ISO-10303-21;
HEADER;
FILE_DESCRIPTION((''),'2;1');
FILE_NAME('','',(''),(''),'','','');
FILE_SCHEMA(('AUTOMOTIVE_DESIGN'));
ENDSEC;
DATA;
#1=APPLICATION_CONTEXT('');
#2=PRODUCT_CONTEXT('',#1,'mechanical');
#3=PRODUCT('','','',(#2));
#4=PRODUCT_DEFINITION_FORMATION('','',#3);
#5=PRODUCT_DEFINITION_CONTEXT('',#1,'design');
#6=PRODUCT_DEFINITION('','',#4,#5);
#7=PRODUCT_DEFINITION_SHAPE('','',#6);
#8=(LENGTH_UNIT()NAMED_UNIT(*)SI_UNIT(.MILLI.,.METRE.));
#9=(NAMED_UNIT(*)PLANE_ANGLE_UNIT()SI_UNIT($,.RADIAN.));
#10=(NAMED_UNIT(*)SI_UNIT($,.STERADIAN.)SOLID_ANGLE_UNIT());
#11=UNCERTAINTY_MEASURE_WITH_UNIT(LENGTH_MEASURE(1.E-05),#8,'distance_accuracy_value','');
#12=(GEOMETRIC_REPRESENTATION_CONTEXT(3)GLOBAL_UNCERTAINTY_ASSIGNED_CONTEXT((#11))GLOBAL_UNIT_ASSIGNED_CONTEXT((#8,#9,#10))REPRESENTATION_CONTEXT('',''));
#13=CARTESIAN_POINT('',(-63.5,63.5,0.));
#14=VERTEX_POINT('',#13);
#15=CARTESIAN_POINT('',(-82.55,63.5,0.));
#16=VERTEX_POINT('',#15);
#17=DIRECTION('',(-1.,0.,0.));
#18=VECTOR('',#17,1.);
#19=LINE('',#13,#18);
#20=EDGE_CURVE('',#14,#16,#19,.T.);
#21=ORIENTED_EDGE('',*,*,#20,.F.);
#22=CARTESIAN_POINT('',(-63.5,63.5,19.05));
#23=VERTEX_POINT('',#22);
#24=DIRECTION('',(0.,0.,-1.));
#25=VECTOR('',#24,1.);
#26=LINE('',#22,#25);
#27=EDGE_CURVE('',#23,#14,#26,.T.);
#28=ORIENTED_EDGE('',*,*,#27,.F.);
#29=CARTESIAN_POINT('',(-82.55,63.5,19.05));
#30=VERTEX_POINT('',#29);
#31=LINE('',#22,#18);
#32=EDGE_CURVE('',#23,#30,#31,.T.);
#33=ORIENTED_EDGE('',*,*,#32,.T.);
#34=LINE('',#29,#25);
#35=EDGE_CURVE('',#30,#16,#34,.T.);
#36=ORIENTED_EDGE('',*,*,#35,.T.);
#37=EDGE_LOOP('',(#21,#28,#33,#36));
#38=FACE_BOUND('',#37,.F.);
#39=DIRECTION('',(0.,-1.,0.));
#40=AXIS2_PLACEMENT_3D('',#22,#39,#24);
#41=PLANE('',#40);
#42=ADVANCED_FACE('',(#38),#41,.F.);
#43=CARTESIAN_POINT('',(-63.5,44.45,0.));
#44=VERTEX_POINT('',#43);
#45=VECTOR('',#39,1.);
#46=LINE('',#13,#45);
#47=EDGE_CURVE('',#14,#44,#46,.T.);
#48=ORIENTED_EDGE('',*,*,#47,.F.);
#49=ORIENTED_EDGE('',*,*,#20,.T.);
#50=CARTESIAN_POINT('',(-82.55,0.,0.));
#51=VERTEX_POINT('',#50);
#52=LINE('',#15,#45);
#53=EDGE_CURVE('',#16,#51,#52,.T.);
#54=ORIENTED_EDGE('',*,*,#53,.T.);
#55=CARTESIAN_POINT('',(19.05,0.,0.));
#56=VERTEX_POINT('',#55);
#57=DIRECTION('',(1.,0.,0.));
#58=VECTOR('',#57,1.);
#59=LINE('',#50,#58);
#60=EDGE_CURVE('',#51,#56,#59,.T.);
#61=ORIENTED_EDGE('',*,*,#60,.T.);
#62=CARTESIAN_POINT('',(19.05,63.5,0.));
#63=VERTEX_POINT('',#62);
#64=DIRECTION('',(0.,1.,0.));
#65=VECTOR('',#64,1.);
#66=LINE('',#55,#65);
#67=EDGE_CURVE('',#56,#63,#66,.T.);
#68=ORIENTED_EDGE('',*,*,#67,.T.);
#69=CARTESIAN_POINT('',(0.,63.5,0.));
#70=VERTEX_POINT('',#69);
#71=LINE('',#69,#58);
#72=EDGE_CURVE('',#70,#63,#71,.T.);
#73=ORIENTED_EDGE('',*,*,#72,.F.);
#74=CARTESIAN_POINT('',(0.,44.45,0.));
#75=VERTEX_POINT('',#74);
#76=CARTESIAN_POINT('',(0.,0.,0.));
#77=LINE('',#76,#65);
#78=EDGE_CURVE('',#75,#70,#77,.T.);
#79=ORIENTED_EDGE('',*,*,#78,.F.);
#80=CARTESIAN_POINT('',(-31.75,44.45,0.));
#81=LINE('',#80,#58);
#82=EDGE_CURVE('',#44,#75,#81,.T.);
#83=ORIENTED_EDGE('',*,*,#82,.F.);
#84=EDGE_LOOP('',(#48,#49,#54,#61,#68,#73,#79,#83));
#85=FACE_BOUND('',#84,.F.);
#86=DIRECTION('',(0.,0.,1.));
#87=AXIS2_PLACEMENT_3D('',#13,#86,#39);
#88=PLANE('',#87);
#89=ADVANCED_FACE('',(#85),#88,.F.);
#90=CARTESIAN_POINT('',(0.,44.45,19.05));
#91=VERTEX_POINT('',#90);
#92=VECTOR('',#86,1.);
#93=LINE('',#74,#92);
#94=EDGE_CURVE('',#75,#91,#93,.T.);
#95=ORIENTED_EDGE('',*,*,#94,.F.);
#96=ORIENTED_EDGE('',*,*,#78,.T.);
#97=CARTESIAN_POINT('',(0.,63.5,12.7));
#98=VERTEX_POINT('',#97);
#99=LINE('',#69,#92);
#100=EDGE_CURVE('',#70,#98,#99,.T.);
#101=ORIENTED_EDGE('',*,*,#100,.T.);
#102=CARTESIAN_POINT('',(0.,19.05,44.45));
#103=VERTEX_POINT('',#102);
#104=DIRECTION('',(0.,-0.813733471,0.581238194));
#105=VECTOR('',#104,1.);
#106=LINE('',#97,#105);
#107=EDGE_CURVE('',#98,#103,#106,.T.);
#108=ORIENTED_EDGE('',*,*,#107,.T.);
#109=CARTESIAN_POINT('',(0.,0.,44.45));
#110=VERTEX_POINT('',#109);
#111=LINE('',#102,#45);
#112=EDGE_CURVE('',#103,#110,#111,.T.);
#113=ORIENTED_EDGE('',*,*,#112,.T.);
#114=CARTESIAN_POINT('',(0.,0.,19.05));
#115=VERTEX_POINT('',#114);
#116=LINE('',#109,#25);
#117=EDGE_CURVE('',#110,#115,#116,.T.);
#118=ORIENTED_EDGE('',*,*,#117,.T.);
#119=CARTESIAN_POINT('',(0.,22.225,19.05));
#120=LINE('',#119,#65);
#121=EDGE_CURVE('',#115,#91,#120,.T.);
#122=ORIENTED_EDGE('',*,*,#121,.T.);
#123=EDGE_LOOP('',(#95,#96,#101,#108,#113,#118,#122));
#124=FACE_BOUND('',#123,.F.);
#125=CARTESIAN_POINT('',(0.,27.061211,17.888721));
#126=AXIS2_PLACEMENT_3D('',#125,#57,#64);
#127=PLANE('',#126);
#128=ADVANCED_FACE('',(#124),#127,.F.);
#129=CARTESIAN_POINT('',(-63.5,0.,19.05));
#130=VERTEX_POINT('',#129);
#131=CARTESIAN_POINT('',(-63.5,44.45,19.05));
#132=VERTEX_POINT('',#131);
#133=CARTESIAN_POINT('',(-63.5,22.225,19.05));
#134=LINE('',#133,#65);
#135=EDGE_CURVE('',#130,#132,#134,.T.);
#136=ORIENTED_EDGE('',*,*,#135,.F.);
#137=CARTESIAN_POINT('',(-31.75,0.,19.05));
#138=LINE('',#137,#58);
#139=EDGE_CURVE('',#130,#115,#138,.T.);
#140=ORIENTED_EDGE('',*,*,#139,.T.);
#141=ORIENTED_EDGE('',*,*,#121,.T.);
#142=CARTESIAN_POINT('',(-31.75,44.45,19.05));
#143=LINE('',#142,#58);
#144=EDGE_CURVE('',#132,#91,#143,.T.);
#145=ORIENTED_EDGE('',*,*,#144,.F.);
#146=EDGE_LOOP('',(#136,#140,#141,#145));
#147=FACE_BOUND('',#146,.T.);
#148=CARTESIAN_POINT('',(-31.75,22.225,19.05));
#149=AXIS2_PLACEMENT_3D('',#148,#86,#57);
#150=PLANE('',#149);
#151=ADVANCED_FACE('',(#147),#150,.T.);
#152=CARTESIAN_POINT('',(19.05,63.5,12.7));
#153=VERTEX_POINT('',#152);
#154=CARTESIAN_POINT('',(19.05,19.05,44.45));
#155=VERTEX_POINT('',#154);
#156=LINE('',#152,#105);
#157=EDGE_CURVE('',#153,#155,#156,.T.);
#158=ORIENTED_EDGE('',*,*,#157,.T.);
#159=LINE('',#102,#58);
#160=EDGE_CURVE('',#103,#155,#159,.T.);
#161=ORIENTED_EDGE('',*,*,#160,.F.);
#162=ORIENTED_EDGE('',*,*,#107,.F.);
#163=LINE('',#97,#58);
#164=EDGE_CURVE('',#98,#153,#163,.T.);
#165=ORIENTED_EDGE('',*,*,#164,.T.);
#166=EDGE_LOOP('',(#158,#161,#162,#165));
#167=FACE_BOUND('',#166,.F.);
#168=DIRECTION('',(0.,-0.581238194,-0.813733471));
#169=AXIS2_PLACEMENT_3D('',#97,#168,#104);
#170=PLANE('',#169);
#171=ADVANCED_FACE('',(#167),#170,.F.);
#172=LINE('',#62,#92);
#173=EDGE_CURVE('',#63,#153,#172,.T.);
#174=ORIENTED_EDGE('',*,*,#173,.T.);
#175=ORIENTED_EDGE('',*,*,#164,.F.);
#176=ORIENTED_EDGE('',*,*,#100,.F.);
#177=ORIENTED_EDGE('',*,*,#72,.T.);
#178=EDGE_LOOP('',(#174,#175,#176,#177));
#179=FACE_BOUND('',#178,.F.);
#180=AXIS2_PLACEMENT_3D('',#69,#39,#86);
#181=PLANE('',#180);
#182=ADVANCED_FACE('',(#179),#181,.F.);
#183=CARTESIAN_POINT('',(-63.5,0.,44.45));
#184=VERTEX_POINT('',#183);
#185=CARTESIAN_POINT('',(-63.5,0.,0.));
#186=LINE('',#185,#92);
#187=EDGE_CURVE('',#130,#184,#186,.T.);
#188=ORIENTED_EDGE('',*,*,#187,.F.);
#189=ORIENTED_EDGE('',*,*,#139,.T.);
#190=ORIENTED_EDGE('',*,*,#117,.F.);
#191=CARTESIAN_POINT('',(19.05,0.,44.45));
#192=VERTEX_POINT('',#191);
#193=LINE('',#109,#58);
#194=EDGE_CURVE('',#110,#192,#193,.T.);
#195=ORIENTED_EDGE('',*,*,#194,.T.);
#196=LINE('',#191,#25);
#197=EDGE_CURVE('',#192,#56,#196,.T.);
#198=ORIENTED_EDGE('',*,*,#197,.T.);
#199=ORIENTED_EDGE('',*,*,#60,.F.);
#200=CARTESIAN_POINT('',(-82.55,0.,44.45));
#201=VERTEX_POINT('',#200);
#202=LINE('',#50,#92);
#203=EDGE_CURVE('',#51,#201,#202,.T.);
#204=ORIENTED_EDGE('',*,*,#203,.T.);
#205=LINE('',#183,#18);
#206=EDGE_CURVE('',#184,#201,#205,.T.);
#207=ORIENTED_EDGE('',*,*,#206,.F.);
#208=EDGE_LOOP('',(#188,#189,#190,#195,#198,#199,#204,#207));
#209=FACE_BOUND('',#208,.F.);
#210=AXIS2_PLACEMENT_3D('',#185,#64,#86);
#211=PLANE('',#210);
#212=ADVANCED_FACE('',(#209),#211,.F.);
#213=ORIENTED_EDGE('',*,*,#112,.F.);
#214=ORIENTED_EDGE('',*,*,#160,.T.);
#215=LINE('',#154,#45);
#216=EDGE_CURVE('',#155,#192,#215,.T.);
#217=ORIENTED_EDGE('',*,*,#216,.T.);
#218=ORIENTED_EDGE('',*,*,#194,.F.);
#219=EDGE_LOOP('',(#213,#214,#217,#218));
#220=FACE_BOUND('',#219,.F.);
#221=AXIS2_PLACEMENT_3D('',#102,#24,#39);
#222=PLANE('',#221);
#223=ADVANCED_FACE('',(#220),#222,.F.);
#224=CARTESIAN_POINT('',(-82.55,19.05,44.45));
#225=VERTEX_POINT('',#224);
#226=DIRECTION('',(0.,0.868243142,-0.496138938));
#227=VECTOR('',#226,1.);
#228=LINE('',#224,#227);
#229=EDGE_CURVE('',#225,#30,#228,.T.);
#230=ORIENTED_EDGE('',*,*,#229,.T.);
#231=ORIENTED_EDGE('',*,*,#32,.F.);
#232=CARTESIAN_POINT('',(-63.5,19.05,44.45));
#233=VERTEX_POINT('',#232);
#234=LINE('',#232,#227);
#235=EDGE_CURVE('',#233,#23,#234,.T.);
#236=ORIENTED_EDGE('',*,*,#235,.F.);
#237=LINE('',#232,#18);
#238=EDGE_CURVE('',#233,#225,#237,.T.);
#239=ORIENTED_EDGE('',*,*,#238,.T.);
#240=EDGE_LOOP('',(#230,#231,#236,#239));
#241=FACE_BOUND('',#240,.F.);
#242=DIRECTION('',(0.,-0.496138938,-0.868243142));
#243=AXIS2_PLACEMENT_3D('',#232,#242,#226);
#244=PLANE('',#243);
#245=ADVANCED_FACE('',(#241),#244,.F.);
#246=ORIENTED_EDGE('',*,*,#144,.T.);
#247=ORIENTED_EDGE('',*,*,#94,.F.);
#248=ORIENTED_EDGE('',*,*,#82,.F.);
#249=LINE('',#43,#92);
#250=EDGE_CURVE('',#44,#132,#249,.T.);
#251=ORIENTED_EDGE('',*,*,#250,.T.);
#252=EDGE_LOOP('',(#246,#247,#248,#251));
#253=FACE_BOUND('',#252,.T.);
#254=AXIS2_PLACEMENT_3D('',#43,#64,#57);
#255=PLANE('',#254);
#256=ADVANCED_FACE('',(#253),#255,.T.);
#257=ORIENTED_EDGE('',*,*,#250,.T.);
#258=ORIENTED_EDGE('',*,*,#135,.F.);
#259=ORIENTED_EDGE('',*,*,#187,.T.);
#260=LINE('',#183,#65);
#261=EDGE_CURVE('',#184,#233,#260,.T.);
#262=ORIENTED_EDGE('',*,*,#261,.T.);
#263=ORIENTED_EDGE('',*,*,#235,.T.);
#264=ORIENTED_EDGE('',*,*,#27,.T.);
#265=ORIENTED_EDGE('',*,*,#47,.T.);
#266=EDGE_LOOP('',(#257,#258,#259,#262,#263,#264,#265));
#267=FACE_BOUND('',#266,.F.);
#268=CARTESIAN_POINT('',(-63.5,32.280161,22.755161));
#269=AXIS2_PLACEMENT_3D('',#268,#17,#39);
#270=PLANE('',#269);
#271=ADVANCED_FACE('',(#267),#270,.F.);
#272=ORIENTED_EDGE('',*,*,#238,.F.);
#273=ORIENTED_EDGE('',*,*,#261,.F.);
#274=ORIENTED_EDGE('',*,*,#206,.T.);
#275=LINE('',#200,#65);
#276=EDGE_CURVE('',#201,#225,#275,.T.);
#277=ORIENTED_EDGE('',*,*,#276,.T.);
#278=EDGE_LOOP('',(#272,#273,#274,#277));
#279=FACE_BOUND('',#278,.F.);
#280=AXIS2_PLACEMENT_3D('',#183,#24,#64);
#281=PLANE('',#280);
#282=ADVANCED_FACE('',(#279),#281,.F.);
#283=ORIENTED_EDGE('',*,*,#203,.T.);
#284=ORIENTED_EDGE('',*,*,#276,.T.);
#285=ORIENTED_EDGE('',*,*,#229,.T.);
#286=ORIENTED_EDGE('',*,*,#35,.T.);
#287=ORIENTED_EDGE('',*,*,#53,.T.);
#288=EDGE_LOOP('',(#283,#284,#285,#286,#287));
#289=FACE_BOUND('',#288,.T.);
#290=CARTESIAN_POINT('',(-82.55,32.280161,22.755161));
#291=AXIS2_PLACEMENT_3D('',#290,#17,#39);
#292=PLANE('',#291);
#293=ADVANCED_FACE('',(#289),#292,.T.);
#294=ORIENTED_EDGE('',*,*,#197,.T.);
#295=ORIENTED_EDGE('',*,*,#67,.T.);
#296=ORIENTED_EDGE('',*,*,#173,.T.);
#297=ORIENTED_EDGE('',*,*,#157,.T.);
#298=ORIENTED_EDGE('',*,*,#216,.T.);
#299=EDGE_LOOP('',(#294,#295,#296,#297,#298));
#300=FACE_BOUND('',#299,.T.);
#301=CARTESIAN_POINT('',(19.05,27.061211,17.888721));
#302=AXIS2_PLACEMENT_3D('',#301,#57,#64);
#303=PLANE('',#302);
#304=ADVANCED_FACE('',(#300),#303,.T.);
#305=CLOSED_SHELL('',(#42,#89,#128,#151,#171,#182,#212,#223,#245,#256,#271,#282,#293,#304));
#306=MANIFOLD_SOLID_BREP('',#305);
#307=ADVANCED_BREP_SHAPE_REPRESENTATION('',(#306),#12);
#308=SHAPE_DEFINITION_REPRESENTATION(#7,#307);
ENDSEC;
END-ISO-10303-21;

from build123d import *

# Parameters (mm, degrees)
F0_W     = 63.5
F0_H     = 44.45
F1_DEPTH = 19.05
F3_DEPTH = 19.05
F4_W     = 44.45
F4_H     = 19.05
F5_DEPTH = 19.05


with BuildPart() as f1:
    # F0 (on Top) → F1 (new body)
    with BuildSketch(Plane.XY):
        with Locations((-31.75, 22.225)):
            Rectangle(F0_W, F0_H)
    extrude(amount=F1_DEPTH)

    # F2 (on Right) → F3 (join)
    with BuildSketch(Plane.YZ):
        Polygon((0, 44.45), (0, 0), (63.5, 0), (63.5, 12.7), (19.05, 44.45), align=None)
    extrude(amount=F3_DEPTH)

    # F4 (on face) → F5 (join)
    with BuildSketch(Plane(origin=(-63.5, 0, 0), x_dir=(0, -1, 0), z_dir=(-1, 0, 0))):
        Polygon((-44.45, 19.05), (0, 19.05), (0, 44.45), (-19.05, 44.45), (-63.5, 19.05), (-63.5, 0), (-44.45, 0), align=None)
        with Locations((-22.225, 9.525)):
            Rectangle(F4_W, F4_H)
    extrude(amount=F5_DEPTH)


solid = f1.part
